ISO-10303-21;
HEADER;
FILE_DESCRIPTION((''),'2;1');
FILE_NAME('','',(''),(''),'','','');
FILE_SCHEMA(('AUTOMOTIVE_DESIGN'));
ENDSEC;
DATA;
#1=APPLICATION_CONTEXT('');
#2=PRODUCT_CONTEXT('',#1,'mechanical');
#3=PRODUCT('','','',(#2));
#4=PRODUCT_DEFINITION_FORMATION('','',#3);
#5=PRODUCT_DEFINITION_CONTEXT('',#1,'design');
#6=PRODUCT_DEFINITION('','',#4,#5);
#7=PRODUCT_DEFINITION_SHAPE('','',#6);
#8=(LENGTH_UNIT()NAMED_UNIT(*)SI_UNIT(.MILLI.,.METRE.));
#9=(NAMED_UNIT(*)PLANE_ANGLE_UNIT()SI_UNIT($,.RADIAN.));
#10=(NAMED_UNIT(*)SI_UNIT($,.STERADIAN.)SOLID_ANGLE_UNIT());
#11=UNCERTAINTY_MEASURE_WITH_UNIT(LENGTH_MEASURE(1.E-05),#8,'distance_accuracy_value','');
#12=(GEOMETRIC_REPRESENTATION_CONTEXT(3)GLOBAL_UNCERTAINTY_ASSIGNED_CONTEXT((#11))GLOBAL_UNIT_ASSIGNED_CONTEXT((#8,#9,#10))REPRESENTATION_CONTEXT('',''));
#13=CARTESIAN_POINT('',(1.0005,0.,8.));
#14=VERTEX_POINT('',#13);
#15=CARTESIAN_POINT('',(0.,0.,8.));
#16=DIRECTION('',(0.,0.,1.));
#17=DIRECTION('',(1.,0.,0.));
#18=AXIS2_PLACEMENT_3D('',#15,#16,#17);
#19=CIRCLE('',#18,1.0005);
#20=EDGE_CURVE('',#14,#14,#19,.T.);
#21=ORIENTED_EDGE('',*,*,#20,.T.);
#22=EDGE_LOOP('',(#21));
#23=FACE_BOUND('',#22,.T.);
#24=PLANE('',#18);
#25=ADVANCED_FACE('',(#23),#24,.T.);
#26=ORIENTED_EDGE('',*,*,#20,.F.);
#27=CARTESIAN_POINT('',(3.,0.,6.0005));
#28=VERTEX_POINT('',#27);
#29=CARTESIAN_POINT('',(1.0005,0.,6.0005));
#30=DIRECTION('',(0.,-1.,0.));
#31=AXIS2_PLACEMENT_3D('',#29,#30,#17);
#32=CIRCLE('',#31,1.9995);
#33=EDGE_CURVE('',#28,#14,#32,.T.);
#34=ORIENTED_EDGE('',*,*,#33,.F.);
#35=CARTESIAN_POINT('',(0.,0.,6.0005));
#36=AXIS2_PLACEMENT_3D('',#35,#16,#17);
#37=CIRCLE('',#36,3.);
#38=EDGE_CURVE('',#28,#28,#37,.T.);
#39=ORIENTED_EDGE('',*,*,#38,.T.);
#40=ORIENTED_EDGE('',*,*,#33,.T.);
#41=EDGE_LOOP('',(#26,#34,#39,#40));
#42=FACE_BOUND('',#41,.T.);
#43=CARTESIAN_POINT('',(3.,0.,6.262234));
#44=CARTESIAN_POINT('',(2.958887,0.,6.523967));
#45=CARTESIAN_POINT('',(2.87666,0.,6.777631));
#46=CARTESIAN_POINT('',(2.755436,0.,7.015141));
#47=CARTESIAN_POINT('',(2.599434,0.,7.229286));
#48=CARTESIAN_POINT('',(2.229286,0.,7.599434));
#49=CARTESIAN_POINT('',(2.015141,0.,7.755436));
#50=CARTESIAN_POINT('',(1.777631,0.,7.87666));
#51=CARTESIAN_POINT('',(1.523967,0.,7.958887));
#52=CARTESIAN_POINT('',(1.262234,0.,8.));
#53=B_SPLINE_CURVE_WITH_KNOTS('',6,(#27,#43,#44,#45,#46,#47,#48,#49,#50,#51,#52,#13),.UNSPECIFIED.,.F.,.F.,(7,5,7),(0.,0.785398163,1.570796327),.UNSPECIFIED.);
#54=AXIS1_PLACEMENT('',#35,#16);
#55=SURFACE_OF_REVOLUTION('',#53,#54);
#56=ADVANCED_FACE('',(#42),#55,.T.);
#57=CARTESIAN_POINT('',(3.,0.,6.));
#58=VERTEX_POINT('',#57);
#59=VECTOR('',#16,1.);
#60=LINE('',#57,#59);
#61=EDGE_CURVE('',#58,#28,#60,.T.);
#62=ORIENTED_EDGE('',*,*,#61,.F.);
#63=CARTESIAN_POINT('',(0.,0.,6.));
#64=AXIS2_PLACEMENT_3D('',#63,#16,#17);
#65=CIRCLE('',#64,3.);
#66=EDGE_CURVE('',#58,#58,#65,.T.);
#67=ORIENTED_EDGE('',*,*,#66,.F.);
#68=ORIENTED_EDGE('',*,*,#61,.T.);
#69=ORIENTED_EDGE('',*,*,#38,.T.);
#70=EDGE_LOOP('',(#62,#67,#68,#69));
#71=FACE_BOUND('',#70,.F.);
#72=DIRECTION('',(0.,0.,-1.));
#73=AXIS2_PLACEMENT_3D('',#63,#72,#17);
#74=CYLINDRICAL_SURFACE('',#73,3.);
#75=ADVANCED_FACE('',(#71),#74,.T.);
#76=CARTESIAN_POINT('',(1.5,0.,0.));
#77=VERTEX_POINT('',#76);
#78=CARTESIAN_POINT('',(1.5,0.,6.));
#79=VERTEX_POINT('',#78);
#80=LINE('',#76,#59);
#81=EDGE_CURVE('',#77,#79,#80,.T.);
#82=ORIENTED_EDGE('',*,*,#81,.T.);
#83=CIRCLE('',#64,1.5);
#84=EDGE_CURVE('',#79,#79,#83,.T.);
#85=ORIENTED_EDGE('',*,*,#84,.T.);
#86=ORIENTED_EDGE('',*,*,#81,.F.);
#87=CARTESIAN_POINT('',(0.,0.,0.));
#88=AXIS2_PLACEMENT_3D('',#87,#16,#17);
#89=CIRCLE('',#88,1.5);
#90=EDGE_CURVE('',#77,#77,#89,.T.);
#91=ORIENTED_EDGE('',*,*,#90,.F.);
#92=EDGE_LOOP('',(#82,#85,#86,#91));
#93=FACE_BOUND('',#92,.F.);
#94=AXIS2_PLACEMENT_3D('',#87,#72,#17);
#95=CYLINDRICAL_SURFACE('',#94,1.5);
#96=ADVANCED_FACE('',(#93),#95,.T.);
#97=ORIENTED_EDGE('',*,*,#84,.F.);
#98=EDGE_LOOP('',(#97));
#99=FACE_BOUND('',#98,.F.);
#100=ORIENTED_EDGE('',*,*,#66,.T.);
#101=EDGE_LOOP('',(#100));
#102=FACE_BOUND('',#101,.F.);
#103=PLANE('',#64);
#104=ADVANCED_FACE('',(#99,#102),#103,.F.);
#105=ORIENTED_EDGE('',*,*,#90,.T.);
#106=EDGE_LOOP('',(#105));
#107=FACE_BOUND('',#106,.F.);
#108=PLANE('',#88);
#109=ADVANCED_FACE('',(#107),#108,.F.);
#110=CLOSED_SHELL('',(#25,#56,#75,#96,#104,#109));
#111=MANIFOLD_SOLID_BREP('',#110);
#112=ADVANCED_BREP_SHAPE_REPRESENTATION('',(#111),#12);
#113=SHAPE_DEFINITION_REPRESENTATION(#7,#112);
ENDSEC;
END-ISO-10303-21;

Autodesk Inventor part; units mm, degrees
ref_plane "YZ Plane" through (0, 0, 0) normal (1, 0, 0) x (0, 1, 0)
ref_plane "XZ Plane" through (0, 0, 0) normal (0, 1, 0) x (-1, 0, 0)
ref_plane "XY Plane" through (0, 0, 0) normal (0, 0, 1) x (1, 0, 0)
sketch "スケッチ1" plane through (0, 0, 0) normal (0, 0, 1) x (1, 0, 0)
  circle A0 centre (0, 0) radius 1.5
  dimension "d0" = 3
extrude "押し出し1" add sketch "スケッチ1" along normal blind 6
sketch "スケッチ2" plane through (0, 0, 6) normal (0, 0, 1) x (1, 0, 0)
  circle A0 centre (0, 0) radius 1.5 projected
  circle A1 centre (0, 0) radius 3
  dimension "d3" = 6
extrude "押し出し2" add sketch "スケッチ2" along normal blind 2 contours A0 | A1
fillet "フィレット1" radius 2 1 edges at (-3, 0, 8)
thread "ねじ1" size "M3x0.5" class "6g" standard "ANSI Metric M Profile" full length
properties part number "SB　6mmなべネジ" material "Steel, Mild"
